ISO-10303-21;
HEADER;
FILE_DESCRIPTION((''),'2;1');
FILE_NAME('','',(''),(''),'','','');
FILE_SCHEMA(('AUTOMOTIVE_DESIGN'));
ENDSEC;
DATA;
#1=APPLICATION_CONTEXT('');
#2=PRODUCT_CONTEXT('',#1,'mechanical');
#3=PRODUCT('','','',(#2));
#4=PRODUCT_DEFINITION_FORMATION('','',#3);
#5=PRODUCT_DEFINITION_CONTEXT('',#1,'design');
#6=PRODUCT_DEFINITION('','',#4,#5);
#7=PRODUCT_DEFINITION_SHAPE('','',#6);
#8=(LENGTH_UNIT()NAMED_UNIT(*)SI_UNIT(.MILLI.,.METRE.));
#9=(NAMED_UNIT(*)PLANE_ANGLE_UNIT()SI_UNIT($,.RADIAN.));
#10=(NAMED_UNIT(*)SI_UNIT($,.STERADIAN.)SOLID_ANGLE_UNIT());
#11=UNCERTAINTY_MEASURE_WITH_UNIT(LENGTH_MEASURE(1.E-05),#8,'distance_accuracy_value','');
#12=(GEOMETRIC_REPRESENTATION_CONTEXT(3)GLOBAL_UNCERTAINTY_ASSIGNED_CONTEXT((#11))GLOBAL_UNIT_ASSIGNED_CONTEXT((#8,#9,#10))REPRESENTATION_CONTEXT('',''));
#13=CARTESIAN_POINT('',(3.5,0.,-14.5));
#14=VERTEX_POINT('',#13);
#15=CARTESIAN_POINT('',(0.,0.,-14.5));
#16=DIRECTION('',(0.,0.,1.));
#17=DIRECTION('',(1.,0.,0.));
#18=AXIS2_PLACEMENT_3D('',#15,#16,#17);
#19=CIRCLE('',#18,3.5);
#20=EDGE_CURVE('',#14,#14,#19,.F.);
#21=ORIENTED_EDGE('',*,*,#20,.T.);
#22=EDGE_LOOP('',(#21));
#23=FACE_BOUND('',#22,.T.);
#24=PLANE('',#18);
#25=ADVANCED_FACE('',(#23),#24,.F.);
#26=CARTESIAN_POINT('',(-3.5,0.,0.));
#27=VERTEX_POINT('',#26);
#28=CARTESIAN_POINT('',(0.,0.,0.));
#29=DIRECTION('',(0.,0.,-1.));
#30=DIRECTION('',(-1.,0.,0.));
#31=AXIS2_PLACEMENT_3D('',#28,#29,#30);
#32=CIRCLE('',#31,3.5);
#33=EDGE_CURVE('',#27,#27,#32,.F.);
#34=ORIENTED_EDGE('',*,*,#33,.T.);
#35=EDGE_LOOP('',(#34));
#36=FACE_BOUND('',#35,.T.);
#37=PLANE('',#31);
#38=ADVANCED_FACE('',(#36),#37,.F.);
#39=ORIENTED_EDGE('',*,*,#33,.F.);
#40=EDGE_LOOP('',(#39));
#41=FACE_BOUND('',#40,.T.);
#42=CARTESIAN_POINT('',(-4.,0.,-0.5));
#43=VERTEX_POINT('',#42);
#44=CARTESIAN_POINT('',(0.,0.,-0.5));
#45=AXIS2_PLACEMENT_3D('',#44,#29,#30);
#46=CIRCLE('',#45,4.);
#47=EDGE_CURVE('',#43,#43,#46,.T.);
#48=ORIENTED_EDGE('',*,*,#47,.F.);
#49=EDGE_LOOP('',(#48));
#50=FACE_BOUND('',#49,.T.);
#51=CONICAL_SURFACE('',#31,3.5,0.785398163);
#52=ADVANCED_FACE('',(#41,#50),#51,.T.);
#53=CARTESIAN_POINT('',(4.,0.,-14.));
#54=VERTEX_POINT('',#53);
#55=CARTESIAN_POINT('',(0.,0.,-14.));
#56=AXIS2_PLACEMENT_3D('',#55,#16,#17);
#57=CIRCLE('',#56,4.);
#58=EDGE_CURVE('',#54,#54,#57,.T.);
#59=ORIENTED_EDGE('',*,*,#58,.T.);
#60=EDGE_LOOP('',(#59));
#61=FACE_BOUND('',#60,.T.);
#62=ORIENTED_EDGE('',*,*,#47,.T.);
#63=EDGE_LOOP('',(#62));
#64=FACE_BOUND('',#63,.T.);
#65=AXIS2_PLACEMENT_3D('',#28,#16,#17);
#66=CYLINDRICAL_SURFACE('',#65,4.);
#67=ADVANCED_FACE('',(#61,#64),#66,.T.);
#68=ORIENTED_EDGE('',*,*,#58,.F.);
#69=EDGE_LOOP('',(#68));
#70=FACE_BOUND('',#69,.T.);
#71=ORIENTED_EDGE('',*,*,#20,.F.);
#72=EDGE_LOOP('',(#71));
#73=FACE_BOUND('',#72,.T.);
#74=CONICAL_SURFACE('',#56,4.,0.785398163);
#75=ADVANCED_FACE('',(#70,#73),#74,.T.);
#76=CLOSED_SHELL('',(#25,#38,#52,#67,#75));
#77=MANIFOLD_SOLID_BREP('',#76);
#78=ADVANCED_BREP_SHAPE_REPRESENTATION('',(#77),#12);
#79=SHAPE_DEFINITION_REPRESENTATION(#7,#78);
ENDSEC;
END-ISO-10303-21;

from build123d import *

# Parameters (mm, degrees)
SKETCH1_W     = 14.5
SKETCH1_H     = 4
CHAMFER1_SIZE = 0.5


with BuildPart() as part:
    # Sketch1 → Revolve1 (revolve)
    with BuildSketch(Plane(origin=(0, 0, 0), x_dir=(0, 0, -1), z_dir=(1, 0, 0)), mode=Mode.PRIVATE) as revolve1_sk:
        with Locations((7.25, 2)):
            Rectangle(SKETCH1_W, SKETCH1_H)
    revolve(revolve1_sk.sketch.rotate(Axis((0, 0, 0), (0, 0, -1)), 90), axis=Axis((0, 0, 0), (0, 0, -1)))

    # Chamfer1
    chamfer1_edges = [part.edges().sort_by_distance(p)[0] for p in [
        (-4, 0, -14.5),
        (-4, 0, 0),
    ]]
    chamfer(chamfer1_edges, length=CHAMFER1_SIZE)


solid = part.part
